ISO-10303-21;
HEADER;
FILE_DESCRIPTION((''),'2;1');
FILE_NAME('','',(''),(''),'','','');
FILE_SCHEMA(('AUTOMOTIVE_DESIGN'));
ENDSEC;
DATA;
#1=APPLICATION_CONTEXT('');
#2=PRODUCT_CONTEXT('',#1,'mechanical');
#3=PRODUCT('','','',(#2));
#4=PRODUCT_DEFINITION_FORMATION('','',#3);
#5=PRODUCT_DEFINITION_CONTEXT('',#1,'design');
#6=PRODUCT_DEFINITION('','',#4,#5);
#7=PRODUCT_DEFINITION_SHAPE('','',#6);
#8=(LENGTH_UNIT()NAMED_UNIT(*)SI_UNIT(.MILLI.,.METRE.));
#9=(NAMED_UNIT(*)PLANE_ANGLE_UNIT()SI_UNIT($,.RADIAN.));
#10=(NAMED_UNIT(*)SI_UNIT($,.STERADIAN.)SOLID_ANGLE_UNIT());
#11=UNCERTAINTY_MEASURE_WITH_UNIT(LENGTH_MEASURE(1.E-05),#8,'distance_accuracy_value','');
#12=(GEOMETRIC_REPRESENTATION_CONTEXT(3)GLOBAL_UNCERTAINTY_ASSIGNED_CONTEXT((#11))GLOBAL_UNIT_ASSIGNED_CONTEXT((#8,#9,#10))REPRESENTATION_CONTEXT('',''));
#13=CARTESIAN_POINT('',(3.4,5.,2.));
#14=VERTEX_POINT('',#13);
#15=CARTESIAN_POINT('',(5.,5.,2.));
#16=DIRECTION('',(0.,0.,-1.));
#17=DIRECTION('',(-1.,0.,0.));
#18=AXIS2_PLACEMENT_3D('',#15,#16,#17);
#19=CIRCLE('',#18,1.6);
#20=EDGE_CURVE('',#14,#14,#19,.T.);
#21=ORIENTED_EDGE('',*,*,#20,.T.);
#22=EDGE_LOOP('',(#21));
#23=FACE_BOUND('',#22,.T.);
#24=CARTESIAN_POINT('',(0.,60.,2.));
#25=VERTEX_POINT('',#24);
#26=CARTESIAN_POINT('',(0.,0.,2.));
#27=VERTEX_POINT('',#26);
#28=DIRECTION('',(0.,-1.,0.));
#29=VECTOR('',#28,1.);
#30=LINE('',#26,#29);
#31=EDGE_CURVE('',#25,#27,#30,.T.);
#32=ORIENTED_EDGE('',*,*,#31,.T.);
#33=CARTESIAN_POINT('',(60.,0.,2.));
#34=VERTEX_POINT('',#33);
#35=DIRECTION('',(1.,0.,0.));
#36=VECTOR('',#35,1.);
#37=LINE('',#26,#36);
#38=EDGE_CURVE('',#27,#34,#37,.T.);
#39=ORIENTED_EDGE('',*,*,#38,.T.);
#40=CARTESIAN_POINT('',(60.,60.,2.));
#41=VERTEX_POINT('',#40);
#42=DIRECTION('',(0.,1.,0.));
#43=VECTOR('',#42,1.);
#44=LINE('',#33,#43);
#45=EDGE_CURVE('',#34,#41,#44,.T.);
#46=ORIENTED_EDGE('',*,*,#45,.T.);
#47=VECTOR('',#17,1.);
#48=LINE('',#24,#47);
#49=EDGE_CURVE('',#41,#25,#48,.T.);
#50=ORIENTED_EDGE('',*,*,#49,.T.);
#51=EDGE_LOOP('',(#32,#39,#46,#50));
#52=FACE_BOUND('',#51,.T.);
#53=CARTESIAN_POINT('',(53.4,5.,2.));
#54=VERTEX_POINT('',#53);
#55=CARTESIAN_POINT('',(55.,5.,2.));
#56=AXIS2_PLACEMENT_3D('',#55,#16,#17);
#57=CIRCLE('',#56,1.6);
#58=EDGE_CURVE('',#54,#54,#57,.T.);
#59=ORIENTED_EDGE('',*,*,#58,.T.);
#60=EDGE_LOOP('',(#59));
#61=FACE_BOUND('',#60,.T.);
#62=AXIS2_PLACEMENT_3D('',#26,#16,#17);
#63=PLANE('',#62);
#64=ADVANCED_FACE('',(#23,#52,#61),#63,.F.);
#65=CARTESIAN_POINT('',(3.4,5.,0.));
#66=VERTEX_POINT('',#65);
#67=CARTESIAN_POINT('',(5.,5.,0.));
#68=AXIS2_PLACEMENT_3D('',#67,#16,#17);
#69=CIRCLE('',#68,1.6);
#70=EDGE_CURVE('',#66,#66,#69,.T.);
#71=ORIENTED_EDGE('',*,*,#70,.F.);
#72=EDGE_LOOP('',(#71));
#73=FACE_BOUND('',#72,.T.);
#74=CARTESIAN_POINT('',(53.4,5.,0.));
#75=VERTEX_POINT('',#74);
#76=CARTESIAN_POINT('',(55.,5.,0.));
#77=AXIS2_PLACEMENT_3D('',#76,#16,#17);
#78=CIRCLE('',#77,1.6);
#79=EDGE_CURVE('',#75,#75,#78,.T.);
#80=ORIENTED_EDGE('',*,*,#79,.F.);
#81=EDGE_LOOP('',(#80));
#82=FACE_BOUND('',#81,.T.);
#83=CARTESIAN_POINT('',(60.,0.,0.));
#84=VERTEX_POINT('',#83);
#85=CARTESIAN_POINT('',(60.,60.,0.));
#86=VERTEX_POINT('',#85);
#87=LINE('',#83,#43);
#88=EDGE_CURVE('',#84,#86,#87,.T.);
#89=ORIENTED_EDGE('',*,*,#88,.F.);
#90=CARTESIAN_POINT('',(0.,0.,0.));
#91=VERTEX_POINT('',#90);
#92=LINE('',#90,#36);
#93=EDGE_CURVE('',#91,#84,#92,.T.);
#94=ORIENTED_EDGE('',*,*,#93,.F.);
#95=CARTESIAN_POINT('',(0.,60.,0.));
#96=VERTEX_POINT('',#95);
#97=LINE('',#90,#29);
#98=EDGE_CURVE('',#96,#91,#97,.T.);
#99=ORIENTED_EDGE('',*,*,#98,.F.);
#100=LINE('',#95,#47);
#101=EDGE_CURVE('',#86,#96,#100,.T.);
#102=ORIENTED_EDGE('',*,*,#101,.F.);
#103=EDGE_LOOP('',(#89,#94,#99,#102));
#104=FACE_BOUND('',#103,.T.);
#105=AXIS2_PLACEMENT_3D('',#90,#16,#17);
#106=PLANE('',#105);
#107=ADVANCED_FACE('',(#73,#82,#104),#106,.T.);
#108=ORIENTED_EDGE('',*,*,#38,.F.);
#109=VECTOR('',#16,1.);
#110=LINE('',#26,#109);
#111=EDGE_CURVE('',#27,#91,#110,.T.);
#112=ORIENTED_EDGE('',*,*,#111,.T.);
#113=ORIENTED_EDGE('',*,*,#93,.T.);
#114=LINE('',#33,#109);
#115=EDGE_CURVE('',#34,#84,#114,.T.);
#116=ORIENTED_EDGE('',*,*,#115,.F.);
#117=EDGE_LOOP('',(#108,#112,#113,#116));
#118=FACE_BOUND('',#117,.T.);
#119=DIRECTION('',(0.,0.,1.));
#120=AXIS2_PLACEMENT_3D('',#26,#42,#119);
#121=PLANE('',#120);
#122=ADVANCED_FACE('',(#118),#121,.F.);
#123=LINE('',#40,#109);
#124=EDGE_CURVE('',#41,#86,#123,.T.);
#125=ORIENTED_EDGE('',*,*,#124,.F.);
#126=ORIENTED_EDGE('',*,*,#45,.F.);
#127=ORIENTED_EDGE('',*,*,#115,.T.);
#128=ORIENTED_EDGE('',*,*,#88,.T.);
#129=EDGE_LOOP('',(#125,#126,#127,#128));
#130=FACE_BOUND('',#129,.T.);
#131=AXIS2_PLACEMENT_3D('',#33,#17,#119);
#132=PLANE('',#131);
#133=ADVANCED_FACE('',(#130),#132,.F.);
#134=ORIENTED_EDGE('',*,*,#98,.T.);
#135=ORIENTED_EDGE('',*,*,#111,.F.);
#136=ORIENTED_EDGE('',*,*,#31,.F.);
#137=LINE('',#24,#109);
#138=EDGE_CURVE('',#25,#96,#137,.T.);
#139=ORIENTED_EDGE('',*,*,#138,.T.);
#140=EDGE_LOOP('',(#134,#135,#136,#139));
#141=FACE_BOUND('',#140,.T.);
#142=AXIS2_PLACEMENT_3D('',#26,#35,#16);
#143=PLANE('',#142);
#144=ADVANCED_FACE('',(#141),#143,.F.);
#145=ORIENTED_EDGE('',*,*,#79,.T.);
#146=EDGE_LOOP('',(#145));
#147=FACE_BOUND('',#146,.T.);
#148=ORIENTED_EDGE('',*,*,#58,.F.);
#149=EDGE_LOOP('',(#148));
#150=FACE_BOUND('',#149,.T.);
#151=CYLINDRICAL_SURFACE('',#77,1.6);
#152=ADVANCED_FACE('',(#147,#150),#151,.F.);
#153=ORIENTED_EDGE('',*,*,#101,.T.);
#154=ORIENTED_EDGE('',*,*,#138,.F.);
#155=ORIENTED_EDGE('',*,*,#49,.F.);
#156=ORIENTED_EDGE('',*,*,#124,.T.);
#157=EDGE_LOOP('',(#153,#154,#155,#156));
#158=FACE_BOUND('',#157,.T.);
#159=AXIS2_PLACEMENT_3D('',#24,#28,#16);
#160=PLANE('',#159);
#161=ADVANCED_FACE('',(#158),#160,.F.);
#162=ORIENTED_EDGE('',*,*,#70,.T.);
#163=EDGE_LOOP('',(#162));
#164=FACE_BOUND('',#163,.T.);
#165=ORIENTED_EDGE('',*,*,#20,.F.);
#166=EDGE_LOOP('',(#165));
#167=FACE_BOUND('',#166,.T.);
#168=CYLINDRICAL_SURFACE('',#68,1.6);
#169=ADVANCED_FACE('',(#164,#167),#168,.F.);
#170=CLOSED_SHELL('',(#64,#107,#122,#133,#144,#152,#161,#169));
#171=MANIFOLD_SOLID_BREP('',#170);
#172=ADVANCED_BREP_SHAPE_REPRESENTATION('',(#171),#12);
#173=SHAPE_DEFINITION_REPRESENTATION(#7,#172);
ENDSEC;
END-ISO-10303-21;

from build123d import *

# Parameters (mm, degrees)
SKETCH1_W                = 60
SKETCH1_H                = 60
BOSS_EXTRUDE1_DEPTH      = 2
M3_CLEARANCE_HOLE1_D     = 3.2
M3_CLEARANCE_HOLE1_DEPTH = 2


with BuildPart() as part:
    # Sketch1 → Boss-Extrude1 (new body)
    with BuildSketch(Plane.XY):
        with Locations((30, 30)):
            Rectangle(SKETCH1_W, SKETCH1_H)
    extrude(amount=BOSS_EXTRUDE1_DEPTH)

    # M3 Clearance Hole1
    with Locations(Plane(origin=(0, 0, 0), x_dir=(-1, 0, 0), z_dir=(0, 0, -1))):
        with Locations((-55, 5), (-5, 5)):
            Hole(M3_CLEARANCE_HOLE1_D / 2, depth=M3_CLEARANCE_HOLE1_DEPTH)


solid = part.part
